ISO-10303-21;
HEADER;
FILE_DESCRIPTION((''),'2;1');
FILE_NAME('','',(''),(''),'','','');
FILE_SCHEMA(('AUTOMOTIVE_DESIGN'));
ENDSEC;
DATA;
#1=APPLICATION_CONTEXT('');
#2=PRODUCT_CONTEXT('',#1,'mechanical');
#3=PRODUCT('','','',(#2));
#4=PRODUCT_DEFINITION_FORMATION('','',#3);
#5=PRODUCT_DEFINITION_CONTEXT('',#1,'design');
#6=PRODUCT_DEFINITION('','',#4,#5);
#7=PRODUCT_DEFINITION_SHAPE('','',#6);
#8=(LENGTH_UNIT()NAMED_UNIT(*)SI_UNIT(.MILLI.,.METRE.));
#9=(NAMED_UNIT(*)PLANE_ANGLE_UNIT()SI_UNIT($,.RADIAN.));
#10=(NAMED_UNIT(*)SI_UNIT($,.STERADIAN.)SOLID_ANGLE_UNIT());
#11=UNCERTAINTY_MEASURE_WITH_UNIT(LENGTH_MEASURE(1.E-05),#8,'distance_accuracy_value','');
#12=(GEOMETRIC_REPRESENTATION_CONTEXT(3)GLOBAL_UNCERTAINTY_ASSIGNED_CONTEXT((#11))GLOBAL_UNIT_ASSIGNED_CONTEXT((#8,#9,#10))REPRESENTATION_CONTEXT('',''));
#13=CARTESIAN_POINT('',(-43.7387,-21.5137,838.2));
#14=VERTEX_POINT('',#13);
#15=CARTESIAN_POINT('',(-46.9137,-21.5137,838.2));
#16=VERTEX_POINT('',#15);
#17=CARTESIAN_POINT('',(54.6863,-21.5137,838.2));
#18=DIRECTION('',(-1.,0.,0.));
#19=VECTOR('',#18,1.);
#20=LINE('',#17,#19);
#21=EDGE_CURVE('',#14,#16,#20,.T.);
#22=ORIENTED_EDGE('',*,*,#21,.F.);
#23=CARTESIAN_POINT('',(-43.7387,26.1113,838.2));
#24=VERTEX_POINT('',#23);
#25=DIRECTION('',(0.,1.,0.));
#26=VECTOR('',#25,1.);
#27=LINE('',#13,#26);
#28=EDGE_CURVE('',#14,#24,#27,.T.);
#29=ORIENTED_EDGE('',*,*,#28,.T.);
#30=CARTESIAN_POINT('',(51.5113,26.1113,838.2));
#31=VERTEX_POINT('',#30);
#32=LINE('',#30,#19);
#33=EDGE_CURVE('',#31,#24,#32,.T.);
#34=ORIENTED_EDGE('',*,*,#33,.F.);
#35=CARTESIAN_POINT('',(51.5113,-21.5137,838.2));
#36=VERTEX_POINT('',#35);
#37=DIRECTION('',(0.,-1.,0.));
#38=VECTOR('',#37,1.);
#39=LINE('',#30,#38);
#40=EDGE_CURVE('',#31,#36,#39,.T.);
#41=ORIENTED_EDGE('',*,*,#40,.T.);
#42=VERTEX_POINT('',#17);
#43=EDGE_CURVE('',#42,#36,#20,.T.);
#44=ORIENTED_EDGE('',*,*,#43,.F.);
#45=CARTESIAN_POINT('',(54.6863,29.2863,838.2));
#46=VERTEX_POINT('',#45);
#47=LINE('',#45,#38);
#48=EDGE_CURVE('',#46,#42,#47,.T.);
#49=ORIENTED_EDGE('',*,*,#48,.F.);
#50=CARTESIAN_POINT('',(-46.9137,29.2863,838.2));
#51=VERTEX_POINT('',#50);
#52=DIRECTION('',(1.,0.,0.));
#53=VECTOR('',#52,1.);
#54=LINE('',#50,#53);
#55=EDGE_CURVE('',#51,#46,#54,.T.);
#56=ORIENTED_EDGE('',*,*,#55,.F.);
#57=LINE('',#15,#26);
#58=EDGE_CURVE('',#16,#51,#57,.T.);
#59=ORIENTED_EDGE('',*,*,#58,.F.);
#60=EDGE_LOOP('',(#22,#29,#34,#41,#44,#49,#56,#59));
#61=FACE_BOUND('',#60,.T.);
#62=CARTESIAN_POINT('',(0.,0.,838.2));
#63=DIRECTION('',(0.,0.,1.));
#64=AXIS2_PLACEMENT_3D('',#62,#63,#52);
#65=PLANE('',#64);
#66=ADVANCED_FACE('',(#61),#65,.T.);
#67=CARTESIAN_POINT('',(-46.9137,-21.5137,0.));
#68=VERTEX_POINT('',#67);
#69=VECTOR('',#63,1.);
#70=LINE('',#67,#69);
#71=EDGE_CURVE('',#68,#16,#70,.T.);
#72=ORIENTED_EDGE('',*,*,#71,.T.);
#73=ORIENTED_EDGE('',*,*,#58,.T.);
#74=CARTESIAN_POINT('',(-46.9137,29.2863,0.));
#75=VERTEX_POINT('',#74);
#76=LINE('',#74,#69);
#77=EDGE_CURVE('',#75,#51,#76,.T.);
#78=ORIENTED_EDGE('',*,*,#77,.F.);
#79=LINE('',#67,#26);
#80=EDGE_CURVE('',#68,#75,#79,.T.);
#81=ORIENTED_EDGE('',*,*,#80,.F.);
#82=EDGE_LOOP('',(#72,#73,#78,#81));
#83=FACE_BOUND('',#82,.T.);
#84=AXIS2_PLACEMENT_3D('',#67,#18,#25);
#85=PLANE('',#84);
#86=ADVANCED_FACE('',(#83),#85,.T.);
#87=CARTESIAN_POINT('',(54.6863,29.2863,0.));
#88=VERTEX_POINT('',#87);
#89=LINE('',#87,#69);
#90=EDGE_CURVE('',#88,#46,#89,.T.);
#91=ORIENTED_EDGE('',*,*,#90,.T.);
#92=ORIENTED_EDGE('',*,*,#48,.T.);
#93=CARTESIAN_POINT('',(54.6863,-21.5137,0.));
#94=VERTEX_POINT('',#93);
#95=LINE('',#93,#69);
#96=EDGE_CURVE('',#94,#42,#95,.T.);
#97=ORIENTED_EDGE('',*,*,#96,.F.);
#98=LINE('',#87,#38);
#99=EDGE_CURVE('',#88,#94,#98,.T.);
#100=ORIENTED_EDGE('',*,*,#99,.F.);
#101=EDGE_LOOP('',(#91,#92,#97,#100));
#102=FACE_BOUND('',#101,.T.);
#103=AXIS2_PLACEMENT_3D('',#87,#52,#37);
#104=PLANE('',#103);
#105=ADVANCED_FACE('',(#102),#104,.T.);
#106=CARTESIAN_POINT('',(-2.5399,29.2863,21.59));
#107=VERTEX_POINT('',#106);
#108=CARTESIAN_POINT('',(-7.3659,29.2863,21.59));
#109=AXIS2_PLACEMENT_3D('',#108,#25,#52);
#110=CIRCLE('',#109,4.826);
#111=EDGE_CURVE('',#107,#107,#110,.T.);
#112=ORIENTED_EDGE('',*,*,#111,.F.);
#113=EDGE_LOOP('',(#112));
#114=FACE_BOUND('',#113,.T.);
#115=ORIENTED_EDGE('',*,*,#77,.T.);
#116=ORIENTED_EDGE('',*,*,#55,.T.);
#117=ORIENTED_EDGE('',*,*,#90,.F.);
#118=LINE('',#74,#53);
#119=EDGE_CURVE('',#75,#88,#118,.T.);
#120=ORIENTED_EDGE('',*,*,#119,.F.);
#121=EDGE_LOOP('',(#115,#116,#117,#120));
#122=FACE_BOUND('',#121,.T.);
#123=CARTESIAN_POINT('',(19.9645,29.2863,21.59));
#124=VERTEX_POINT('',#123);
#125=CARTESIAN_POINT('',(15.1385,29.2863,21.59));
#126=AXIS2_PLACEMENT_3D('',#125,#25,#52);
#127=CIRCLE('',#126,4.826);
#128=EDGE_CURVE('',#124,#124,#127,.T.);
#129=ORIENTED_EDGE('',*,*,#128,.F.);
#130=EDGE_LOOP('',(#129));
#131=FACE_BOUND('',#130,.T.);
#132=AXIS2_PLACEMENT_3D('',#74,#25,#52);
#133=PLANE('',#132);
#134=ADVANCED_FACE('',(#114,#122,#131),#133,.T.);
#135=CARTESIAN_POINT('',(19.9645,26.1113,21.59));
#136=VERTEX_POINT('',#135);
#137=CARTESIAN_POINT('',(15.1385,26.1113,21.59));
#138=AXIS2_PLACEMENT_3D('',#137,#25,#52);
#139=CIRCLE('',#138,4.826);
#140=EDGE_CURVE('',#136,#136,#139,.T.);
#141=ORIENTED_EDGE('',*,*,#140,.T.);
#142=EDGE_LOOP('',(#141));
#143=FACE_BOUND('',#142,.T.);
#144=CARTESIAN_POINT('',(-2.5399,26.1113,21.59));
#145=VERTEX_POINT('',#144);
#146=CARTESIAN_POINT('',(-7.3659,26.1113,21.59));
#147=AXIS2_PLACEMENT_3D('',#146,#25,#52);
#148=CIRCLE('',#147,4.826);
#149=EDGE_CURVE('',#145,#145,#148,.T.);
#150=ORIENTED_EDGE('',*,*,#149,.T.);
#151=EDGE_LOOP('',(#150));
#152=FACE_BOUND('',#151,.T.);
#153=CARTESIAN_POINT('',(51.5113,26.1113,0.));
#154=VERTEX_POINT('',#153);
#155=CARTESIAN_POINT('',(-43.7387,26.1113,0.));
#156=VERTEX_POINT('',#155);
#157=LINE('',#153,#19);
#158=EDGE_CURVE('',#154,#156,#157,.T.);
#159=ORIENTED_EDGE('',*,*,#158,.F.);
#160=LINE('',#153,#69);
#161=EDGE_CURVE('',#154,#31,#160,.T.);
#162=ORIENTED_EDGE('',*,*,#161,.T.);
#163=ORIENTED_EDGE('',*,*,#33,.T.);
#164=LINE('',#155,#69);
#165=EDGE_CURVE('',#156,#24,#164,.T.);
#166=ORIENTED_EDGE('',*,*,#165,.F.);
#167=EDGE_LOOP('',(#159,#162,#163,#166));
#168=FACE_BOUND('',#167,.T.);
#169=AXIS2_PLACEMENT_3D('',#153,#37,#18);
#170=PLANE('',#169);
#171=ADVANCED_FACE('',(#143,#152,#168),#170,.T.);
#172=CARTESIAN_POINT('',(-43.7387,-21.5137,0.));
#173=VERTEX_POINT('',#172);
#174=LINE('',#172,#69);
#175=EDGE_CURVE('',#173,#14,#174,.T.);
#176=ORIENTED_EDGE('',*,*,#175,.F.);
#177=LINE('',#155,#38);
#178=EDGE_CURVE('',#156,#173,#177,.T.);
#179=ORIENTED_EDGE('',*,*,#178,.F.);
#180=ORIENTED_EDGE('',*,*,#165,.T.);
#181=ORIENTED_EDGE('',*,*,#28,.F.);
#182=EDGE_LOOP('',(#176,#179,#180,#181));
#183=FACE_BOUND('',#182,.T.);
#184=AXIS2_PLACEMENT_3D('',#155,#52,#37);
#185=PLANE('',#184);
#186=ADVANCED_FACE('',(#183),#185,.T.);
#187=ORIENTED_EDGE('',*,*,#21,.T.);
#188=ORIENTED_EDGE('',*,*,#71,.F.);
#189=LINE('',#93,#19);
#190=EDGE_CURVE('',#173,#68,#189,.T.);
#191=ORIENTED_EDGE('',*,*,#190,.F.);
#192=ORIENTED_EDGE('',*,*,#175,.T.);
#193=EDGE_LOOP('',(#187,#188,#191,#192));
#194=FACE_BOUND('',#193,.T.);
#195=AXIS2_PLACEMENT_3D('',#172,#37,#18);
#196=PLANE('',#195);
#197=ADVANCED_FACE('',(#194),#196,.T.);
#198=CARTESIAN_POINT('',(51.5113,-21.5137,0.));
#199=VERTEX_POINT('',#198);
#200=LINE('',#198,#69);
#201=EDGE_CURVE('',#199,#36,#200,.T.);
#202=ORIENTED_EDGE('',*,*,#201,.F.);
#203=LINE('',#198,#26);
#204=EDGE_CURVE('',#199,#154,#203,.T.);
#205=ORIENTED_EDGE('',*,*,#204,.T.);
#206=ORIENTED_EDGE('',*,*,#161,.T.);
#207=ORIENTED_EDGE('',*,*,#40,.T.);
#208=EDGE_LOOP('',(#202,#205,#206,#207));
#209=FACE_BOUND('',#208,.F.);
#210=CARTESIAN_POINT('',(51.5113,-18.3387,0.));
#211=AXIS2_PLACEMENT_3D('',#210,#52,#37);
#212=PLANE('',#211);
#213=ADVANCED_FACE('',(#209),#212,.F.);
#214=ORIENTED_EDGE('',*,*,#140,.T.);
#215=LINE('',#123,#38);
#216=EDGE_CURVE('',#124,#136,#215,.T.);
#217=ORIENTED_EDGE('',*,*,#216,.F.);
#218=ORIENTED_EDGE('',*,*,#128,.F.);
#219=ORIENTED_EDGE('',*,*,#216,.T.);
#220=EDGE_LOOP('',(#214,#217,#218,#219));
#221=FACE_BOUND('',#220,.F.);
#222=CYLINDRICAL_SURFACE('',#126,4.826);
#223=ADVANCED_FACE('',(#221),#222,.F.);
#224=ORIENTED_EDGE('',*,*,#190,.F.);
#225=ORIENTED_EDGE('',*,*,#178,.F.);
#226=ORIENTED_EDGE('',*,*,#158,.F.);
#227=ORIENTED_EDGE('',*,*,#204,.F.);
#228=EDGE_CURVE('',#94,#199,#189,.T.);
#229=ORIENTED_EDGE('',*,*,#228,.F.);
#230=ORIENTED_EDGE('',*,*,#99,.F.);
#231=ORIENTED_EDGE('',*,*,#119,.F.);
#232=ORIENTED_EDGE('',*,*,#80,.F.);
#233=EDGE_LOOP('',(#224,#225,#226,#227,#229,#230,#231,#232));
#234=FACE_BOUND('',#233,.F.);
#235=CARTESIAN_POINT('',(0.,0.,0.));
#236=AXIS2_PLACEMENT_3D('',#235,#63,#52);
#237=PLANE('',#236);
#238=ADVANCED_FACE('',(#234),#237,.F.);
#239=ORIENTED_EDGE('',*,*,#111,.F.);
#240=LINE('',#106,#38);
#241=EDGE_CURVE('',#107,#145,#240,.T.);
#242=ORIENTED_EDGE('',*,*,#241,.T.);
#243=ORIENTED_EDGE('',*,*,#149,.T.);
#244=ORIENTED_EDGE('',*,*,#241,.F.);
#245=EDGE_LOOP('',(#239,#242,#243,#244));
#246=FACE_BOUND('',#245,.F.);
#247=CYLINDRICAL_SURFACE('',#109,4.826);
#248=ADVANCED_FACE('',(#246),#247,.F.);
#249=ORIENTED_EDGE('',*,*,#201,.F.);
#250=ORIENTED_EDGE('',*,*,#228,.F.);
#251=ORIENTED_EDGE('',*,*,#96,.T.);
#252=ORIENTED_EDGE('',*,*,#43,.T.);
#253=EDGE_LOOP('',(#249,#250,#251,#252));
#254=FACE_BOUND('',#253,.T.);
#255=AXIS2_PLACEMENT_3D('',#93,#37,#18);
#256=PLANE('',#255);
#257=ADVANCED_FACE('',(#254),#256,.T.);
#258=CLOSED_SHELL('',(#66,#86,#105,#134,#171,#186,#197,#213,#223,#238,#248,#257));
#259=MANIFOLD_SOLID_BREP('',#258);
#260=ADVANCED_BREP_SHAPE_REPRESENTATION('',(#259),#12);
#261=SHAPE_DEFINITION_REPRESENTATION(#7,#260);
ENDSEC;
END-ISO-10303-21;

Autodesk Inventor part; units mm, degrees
ref_plane "YZ Plane" through (0, 0, 0) normal (1, 0, 0) x (0, 1, 0)
ref_plane "XZ Plane" through (0, 0, 0) normal (0, 1, 0) x (-1, 0, 0)
ref_plane "XY Plane" through (0, 0, 0) normal (0, 0, 1) x (1, 0, 0)
sketch "Sketch1" plane through (0, 0, 0) normal (0, 0, 1) x (1, 0, 0)
  line L0 (-46.9137, 29.2863) -> (54.6863, 29.2863)
  line L1 (54.6863, 29.2863) -> (54.6863, -21.5137)
  line L2 (54.6863, -21.5137) -> (-46.9137, -21.5137)
  line L3 (-46.9137, -21.5137) -> (-46.9137, 29.2863)
  line L4 (51.5113, 26.1113) -> (-43.7387, 26.1113)
  line L5 (-43.7387, 26.1113) -> (-43.7387, -18.3387)
  line L6 (-43.7387, -18.3387) -> (51.5113, -18.3387)
  line L7 (51.5113, -18.3387) -> (51.5113, 26.1113)
  line L8 (-43.7387, -18.3387) -> (-43.7387, -21.5137)
  line L9 (51.5113, -18.3387) -> (51.5113, -21.5137)
  point P0 (0, 0)
  dimension "d0" = 50.8
  dimension "d1" = 101.6
  dimension "d4" = 3.175
ref_plane "Work Plane1" through (-46.9137, 29.2863, 0) normal (0, 1, 0) x (1, 0, 0)
sketch "Sketch2" plane through (-46.9137, 29.2863, 0) normal (0, 1, 0) x (1, 0, 0)
  point P0 (46.9137, 0)
ref_plane "Work Plane2" through (0, 0, 812.8) normal (0, 0, 1) x (1, 0, 0)
sketch "Sketch3" plane through (0, 0, 812.8) normal (0, 0, 1) x (1, 0, 0)
  point P0 (0, 0)
extrude "Extrusion3" add sketch "Sketch1" along normal blind 838.2 contours L0 L1 L2 L9 L7 L4 L5 L8 L3
sketch "Sketch4" plane through (-46.9137, 29.2863, 0) normal (0, 1, 0) x (1, 0, 0)
  point P0 (46.9137, 0)
sketch "Sketch5" plane through (-46.9137, 29.2863, 0) normal (0, 1, 0) x (1, 0, 0)
  circle A0 centre (62.0522, -21.59) radius 4.826
  line L0 (101.6, 0) -> (0, 0) projected
  circle A1 centre (39.5478, -21.59) radius 4.826
  line L1 (101.6, 0) -> (101.6, -838.2) projected
  point P0 (46.9137, 0)
  dimension "d9" = 9.652
  dimension "d12" = 22.5044
  dimension "d13" = 21.59
  dimension "d17" = 39.5478
extrude "Extrusion4" cut sketch "Sketch5" against normal through all
properties part number "412" material "Aluminum 6061"
